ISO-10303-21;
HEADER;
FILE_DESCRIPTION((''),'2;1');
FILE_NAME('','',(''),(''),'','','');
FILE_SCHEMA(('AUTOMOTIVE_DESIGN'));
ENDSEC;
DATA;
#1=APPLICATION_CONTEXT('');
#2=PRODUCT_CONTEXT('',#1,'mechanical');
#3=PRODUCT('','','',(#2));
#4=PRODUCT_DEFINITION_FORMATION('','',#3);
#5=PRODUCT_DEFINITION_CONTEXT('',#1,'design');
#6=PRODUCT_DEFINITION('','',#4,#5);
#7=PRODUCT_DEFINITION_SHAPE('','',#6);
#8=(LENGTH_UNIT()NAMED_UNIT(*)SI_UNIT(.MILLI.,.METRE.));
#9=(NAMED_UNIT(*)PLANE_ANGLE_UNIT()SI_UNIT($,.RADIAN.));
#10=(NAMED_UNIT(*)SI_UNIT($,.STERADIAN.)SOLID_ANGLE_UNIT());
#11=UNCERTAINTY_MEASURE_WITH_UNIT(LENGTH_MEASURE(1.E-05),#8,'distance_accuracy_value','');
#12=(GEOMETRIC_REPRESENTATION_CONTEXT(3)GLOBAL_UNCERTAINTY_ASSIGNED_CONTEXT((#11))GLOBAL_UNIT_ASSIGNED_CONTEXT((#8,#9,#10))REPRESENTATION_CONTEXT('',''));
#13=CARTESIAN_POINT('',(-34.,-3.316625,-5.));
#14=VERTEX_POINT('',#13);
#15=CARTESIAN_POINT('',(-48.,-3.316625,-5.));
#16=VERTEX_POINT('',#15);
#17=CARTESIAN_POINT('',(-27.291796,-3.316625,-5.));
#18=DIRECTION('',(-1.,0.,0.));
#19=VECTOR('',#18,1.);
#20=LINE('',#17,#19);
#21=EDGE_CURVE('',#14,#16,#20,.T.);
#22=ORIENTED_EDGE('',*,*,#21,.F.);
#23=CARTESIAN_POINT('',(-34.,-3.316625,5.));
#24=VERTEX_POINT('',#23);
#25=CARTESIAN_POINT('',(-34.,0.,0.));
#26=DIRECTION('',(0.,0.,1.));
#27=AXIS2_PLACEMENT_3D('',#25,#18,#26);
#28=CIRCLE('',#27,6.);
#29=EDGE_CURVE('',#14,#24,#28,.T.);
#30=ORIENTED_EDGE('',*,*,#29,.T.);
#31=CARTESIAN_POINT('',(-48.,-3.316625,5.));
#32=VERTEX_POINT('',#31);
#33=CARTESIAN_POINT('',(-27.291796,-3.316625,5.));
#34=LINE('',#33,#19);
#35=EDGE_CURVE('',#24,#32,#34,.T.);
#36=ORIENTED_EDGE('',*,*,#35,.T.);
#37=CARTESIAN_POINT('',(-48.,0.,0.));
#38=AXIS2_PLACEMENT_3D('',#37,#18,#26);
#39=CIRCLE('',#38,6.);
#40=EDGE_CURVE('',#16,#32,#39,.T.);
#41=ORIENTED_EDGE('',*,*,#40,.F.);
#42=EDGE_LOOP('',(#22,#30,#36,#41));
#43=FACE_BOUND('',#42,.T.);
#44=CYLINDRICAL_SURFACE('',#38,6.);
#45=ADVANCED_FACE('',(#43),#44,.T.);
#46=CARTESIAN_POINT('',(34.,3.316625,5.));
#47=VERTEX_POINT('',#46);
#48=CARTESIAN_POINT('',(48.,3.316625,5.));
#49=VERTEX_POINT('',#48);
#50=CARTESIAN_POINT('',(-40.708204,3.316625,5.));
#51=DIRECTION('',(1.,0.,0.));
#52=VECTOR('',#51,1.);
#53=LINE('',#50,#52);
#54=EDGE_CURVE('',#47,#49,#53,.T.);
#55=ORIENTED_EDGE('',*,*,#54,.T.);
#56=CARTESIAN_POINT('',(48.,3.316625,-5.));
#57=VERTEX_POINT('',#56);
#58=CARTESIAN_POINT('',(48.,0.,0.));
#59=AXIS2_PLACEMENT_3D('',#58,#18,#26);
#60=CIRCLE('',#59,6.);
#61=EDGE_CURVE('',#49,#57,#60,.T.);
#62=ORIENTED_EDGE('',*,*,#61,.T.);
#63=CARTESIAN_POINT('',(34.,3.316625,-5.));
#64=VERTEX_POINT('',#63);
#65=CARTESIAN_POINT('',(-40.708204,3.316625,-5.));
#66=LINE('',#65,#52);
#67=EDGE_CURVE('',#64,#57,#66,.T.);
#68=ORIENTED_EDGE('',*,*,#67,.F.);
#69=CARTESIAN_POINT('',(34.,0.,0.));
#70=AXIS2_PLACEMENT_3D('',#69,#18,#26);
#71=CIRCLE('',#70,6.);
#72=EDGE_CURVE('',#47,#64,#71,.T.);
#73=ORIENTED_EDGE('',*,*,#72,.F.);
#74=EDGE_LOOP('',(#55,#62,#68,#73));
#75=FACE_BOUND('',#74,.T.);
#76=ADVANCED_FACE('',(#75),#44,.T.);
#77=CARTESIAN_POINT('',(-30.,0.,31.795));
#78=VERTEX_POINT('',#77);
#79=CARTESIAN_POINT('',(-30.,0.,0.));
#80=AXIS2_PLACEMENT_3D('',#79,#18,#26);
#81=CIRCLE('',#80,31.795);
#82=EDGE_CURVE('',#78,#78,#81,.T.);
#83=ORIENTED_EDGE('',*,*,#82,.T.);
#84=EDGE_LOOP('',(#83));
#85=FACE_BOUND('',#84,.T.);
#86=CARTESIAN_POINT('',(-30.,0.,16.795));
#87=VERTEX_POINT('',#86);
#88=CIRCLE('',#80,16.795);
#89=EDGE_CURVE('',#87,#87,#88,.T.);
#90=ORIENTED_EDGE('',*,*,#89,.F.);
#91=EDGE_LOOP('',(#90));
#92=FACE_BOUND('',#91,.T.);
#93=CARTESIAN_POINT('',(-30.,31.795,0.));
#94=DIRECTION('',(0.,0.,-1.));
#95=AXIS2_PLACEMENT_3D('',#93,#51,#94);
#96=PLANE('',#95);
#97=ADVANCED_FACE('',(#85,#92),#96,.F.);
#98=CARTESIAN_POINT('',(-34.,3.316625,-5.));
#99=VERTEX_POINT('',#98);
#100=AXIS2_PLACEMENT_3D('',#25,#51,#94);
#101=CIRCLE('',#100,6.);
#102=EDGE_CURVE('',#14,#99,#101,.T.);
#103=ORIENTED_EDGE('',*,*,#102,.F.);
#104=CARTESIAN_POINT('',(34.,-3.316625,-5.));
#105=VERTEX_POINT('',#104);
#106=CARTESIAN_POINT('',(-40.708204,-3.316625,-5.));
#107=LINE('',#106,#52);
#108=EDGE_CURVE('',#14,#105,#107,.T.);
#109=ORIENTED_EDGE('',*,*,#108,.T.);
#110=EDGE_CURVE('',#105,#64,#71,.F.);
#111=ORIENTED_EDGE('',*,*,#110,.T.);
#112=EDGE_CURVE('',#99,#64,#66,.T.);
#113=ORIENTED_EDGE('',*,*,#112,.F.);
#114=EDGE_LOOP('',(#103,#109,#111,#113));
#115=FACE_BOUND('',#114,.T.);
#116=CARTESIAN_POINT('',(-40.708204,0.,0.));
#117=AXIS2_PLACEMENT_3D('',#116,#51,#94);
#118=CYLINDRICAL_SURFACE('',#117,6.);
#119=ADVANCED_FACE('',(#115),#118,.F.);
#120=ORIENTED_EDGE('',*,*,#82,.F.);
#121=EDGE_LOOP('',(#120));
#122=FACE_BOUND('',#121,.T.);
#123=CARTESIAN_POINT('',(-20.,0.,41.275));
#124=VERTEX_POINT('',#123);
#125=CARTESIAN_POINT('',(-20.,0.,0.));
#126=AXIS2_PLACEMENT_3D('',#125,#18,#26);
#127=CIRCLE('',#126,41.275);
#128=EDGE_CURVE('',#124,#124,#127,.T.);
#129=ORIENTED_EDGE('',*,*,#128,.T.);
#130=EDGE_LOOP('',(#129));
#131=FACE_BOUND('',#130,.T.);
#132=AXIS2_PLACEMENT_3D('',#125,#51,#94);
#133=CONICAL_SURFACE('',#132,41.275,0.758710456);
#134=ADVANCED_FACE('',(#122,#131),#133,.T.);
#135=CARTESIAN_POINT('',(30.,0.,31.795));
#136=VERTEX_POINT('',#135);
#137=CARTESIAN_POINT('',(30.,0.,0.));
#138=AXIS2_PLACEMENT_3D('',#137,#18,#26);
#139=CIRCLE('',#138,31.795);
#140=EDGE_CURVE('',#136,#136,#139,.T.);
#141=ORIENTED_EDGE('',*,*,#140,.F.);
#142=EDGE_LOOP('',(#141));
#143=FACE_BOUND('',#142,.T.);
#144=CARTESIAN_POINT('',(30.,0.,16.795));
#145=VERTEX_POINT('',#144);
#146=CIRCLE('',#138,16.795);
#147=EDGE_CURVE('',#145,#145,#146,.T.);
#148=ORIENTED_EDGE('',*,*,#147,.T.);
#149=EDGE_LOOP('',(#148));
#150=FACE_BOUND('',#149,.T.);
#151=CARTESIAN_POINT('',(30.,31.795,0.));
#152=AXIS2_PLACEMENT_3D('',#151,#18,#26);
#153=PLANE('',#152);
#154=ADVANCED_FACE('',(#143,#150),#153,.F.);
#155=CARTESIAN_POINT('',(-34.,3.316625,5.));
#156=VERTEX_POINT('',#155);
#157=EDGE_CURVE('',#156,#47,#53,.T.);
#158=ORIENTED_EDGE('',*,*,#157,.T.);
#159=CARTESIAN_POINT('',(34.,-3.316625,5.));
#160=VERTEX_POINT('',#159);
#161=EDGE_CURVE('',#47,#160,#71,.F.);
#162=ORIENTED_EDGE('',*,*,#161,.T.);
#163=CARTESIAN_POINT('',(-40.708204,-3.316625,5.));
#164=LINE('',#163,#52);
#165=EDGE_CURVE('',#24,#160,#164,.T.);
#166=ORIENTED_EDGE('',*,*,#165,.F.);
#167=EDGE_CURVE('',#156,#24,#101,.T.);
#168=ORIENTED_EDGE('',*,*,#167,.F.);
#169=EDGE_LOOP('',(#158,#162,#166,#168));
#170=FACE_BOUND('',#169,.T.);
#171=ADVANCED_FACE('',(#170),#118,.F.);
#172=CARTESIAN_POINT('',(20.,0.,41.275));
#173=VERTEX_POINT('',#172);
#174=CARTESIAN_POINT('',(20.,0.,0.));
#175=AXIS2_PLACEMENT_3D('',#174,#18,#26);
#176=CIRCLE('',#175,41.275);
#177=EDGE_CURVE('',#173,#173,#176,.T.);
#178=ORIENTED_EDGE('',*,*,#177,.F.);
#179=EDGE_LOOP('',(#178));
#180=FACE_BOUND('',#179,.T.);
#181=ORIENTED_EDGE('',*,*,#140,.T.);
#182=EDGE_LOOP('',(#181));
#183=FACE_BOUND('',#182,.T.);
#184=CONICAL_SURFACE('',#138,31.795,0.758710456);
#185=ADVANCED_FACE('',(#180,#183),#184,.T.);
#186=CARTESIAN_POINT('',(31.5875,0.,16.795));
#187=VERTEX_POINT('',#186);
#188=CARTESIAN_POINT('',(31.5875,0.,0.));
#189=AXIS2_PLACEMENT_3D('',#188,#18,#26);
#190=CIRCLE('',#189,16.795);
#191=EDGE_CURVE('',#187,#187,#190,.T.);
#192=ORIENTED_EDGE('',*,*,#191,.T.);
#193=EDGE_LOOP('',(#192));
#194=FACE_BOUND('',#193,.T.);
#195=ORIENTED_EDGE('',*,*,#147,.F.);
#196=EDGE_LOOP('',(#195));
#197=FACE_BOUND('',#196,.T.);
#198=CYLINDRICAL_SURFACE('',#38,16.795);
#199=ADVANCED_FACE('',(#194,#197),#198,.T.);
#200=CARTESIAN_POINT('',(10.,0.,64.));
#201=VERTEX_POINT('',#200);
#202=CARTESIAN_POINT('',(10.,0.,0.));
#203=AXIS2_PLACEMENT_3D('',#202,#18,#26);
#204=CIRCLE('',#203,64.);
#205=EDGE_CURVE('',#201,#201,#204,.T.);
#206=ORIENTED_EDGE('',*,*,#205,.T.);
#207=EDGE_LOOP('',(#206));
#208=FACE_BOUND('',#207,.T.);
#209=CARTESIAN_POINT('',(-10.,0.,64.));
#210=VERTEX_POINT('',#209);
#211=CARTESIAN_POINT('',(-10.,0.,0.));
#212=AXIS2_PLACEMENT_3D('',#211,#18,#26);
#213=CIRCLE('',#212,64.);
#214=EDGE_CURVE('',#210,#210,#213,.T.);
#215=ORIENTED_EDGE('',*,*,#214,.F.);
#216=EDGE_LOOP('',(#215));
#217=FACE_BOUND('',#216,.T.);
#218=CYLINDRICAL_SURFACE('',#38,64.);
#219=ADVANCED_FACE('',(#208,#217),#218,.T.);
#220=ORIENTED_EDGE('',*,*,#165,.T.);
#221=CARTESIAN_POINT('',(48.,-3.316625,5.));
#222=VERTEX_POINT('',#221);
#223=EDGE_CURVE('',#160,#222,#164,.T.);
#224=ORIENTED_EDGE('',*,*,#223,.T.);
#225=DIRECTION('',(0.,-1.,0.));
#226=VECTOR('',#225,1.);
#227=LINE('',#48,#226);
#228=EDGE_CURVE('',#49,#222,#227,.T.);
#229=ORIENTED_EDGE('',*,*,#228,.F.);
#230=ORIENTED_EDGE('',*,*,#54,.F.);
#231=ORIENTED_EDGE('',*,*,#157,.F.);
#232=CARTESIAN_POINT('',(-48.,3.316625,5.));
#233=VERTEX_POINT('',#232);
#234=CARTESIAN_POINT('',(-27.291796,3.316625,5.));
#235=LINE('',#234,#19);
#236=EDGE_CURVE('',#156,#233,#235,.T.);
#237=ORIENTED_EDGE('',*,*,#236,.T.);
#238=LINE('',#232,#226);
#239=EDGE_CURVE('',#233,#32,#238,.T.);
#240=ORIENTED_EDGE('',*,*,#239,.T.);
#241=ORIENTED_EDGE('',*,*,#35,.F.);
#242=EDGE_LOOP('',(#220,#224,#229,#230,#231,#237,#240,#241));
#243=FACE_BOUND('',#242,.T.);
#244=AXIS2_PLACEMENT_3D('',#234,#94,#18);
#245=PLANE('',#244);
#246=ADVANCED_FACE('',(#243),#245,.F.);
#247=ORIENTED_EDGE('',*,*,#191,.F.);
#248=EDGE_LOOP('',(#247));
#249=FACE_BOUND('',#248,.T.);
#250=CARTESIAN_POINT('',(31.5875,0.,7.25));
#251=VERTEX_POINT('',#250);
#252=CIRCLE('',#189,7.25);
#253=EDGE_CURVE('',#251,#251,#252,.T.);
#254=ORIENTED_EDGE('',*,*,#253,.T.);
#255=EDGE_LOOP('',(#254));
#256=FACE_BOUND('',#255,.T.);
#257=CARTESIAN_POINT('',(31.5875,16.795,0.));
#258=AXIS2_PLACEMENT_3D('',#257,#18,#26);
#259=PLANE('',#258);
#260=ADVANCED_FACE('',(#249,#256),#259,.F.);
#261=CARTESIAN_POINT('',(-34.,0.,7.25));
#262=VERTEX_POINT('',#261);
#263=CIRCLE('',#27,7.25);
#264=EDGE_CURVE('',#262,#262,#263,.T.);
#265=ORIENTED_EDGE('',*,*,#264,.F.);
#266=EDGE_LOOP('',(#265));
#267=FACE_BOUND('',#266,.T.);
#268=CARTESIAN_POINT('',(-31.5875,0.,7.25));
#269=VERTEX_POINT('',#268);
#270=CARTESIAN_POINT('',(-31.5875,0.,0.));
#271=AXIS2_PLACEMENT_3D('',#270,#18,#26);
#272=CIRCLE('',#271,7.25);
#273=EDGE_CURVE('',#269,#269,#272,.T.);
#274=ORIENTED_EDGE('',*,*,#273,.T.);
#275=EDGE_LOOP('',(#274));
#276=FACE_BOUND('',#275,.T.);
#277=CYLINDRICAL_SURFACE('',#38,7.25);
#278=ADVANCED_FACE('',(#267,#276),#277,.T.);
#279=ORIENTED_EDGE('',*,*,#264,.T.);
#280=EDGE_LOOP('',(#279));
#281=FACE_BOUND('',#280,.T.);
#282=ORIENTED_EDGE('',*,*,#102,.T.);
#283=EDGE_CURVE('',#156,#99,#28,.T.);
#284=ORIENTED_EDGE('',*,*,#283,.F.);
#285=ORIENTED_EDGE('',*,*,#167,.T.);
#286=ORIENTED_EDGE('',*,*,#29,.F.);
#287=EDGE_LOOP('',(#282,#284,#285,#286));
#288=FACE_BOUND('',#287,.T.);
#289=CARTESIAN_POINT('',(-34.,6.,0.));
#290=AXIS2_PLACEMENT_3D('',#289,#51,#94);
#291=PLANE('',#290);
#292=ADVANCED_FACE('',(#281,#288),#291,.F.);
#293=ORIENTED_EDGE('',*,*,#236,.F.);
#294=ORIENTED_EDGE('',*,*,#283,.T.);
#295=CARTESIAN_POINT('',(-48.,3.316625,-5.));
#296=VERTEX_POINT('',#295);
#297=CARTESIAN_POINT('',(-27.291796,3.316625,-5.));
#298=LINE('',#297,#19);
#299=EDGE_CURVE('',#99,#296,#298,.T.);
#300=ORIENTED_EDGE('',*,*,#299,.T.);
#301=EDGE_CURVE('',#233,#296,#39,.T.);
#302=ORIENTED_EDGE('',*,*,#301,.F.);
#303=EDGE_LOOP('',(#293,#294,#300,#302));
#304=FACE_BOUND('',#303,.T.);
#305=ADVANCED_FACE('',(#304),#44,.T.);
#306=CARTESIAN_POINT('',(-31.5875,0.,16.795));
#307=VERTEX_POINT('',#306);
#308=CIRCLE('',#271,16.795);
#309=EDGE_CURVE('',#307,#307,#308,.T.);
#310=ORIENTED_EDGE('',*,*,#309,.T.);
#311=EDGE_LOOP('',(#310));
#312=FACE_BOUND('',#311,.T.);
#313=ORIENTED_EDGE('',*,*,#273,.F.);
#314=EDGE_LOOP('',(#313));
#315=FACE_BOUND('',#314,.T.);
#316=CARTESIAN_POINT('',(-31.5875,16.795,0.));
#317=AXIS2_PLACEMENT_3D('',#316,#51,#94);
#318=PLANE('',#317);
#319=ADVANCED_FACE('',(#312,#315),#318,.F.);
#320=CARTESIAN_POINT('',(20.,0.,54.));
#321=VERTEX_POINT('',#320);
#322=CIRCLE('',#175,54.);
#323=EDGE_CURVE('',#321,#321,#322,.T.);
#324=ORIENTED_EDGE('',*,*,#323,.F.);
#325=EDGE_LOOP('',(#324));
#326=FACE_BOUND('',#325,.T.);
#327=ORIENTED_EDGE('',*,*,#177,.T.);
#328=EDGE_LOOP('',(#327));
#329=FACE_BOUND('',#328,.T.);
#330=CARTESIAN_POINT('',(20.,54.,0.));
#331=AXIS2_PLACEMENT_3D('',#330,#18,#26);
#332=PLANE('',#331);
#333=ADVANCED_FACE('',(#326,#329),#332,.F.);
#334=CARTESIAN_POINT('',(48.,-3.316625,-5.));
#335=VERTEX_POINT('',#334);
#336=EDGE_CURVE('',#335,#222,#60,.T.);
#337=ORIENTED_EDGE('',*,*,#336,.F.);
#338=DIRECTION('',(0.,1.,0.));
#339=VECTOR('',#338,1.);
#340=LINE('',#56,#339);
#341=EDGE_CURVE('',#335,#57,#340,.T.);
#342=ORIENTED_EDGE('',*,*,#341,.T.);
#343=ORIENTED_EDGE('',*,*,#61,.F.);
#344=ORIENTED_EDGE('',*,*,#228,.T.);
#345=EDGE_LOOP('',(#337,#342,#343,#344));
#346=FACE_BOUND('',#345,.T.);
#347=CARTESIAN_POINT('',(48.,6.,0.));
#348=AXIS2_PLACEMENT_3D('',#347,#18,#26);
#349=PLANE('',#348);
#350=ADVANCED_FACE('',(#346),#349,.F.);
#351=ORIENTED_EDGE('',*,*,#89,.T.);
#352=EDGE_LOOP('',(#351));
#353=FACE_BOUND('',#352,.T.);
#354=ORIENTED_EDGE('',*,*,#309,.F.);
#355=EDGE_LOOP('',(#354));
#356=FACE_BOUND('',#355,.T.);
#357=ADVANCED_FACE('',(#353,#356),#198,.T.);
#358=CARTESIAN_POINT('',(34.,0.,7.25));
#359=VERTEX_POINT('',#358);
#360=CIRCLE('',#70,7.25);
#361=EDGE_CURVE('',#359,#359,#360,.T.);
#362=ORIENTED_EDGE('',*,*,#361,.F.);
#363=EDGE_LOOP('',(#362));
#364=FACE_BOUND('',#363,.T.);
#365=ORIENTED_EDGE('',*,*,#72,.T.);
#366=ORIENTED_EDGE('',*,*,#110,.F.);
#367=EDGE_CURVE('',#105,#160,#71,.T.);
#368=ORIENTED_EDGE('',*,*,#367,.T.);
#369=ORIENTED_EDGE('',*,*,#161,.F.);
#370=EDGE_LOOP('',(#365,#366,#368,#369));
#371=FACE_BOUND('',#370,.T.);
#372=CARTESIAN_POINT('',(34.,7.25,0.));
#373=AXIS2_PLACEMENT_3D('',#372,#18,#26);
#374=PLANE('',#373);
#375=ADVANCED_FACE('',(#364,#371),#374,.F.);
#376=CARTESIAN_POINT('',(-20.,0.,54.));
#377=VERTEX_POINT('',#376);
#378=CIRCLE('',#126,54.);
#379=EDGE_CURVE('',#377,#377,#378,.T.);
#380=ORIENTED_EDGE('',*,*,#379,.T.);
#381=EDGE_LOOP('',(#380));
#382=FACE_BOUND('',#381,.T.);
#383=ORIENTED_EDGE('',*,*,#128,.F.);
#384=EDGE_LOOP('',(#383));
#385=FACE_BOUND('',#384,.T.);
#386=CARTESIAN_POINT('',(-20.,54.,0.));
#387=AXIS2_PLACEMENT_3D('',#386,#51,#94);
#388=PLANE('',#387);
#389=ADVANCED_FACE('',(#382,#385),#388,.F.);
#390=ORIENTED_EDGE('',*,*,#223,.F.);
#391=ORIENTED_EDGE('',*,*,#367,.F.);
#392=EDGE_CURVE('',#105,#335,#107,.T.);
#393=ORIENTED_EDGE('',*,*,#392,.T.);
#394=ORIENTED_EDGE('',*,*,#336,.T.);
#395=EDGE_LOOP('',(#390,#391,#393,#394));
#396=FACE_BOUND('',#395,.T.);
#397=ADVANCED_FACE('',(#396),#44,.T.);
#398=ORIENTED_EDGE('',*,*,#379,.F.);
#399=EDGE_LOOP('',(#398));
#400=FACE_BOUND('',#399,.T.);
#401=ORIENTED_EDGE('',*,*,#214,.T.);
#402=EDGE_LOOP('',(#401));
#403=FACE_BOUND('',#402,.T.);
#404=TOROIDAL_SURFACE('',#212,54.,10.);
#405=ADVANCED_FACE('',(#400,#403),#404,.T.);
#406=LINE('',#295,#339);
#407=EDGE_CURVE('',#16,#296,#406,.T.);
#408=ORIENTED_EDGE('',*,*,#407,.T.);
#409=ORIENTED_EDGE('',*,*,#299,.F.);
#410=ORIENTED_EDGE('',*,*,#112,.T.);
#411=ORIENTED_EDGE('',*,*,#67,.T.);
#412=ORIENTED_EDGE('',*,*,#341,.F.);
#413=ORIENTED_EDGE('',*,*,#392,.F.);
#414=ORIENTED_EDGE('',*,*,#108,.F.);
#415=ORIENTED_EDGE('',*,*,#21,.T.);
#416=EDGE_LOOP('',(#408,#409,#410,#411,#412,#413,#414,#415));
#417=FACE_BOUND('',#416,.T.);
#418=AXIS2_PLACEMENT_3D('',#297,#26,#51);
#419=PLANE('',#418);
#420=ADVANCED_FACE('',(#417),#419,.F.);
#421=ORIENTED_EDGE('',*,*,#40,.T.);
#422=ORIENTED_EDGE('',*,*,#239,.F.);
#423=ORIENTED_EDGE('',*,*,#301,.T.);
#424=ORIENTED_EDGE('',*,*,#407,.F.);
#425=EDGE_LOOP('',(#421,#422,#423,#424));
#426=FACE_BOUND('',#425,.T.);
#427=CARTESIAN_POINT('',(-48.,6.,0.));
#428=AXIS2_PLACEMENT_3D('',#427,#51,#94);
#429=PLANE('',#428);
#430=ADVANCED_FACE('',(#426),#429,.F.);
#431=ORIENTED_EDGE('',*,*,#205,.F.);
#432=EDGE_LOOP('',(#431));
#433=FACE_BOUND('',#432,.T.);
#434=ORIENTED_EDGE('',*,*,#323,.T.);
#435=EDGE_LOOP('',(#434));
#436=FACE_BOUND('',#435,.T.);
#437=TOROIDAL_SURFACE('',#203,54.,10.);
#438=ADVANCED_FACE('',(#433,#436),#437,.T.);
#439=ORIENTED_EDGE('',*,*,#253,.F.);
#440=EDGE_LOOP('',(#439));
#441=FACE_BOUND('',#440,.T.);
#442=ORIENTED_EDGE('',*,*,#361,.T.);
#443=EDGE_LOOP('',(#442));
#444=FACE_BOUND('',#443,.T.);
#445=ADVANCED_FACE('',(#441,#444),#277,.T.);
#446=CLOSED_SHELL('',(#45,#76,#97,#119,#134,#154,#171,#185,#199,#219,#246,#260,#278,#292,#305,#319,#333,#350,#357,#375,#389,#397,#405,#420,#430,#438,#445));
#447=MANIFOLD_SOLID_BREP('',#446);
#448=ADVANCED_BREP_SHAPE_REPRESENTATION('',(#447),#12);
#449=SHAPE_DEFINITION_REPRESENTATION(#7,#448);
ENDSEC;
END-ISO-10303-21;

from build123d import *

# Parameters (mm, degrees)
CUT_EXTRUDE1_START = -96
CUT_EXTRUDE1_DEPTH = 96


with BuildPart() as part:
    # Sketch2 → Revolve1 (revolve)
    with BuildSketch(Plane.XY, mode=Mode.PRIVATE) as revolve1_sk:
        with BuildLine():
            Line((10, 64), (-10, 64))
            ThreePointArc((-10, 64), (-17.071067812, 61.071067812), (-20, 54))
            Line((-20, 54), (-20, 41.275))
            Line((-20, 41.275), (-30, 31.795))
            Line((-30, 31.795), (-30, 16.795))
            Line((-30, 16.795), (-31.5875, 16.795))
            Line((-31.5875, 16.795), (-31.5875, 7.25))
            Line((-31.5875, 7.25), (-34, 7.25))
            Line((-34, 7.25), (-34, 6))
            Line((-34, 6), (-48, 6))
            Line((-48, 6), (-48, 0))
            Line((-48, 0), (48, 0))
            Line((48, 0), (48, 6))
            Line((48, 6), (34, 6))
            Line((34, 6), (34, 7.25))
            Line((34, 7.25), (31.5875, 7.25))
            Line((31.5875, 7.25), (31.5875, 16.795))
            Line((31.5875, 16.795), (30, 16.795))
            Line((30, 16.795), (30, 31.795))
            Line((30, 31.795), (20, 41.275))
            Line((20, 41.275), (20, 54))
            ThreePointArc((20, 54), (17.071067812, 61.071067812), (10, 64))
        make_face()
    revolve(revolve1_sk.sketch.rotate(Axis((-48, 0, 0), (1, 0, 0)), 90), axis=Axis((-48, 0, 0), (1, 0, 0)))

    # Sketch3 → Cut-Extrude1 (cut)
    with BuildSketch(Plane.ZY.offset(48).offset(CUT_EXTRUDE1_START)):
        with BuildLine():
            Line((5, 3.31662479), (5, -3.31662479))
            ThreePointArc((5, -3.31662479), (6, 0), (5, 3.31662479))
        make_face()
        with BuildLine():
            Line((-5, 3.31662479), (-5, -3.31662479))
            ThreePointArc((-5, -3.31662479), (-6, 0), (-5, 3.31662479))
        make_face()
    cut_extrude1 = extrude(amount=CUT_EXTRUDE1_DEPTH, mode=Mode.SUBTRACT)

    # Mirror1: Cut-Extrude1 across plane
    add(cut_extrude1.mirror(Plane(origin=(0, 0, 0), x_dir=(0, 0, 1), z_dir=(1, 0, 0))), mode=Mode.SUBTRACT)


solid = part.part
